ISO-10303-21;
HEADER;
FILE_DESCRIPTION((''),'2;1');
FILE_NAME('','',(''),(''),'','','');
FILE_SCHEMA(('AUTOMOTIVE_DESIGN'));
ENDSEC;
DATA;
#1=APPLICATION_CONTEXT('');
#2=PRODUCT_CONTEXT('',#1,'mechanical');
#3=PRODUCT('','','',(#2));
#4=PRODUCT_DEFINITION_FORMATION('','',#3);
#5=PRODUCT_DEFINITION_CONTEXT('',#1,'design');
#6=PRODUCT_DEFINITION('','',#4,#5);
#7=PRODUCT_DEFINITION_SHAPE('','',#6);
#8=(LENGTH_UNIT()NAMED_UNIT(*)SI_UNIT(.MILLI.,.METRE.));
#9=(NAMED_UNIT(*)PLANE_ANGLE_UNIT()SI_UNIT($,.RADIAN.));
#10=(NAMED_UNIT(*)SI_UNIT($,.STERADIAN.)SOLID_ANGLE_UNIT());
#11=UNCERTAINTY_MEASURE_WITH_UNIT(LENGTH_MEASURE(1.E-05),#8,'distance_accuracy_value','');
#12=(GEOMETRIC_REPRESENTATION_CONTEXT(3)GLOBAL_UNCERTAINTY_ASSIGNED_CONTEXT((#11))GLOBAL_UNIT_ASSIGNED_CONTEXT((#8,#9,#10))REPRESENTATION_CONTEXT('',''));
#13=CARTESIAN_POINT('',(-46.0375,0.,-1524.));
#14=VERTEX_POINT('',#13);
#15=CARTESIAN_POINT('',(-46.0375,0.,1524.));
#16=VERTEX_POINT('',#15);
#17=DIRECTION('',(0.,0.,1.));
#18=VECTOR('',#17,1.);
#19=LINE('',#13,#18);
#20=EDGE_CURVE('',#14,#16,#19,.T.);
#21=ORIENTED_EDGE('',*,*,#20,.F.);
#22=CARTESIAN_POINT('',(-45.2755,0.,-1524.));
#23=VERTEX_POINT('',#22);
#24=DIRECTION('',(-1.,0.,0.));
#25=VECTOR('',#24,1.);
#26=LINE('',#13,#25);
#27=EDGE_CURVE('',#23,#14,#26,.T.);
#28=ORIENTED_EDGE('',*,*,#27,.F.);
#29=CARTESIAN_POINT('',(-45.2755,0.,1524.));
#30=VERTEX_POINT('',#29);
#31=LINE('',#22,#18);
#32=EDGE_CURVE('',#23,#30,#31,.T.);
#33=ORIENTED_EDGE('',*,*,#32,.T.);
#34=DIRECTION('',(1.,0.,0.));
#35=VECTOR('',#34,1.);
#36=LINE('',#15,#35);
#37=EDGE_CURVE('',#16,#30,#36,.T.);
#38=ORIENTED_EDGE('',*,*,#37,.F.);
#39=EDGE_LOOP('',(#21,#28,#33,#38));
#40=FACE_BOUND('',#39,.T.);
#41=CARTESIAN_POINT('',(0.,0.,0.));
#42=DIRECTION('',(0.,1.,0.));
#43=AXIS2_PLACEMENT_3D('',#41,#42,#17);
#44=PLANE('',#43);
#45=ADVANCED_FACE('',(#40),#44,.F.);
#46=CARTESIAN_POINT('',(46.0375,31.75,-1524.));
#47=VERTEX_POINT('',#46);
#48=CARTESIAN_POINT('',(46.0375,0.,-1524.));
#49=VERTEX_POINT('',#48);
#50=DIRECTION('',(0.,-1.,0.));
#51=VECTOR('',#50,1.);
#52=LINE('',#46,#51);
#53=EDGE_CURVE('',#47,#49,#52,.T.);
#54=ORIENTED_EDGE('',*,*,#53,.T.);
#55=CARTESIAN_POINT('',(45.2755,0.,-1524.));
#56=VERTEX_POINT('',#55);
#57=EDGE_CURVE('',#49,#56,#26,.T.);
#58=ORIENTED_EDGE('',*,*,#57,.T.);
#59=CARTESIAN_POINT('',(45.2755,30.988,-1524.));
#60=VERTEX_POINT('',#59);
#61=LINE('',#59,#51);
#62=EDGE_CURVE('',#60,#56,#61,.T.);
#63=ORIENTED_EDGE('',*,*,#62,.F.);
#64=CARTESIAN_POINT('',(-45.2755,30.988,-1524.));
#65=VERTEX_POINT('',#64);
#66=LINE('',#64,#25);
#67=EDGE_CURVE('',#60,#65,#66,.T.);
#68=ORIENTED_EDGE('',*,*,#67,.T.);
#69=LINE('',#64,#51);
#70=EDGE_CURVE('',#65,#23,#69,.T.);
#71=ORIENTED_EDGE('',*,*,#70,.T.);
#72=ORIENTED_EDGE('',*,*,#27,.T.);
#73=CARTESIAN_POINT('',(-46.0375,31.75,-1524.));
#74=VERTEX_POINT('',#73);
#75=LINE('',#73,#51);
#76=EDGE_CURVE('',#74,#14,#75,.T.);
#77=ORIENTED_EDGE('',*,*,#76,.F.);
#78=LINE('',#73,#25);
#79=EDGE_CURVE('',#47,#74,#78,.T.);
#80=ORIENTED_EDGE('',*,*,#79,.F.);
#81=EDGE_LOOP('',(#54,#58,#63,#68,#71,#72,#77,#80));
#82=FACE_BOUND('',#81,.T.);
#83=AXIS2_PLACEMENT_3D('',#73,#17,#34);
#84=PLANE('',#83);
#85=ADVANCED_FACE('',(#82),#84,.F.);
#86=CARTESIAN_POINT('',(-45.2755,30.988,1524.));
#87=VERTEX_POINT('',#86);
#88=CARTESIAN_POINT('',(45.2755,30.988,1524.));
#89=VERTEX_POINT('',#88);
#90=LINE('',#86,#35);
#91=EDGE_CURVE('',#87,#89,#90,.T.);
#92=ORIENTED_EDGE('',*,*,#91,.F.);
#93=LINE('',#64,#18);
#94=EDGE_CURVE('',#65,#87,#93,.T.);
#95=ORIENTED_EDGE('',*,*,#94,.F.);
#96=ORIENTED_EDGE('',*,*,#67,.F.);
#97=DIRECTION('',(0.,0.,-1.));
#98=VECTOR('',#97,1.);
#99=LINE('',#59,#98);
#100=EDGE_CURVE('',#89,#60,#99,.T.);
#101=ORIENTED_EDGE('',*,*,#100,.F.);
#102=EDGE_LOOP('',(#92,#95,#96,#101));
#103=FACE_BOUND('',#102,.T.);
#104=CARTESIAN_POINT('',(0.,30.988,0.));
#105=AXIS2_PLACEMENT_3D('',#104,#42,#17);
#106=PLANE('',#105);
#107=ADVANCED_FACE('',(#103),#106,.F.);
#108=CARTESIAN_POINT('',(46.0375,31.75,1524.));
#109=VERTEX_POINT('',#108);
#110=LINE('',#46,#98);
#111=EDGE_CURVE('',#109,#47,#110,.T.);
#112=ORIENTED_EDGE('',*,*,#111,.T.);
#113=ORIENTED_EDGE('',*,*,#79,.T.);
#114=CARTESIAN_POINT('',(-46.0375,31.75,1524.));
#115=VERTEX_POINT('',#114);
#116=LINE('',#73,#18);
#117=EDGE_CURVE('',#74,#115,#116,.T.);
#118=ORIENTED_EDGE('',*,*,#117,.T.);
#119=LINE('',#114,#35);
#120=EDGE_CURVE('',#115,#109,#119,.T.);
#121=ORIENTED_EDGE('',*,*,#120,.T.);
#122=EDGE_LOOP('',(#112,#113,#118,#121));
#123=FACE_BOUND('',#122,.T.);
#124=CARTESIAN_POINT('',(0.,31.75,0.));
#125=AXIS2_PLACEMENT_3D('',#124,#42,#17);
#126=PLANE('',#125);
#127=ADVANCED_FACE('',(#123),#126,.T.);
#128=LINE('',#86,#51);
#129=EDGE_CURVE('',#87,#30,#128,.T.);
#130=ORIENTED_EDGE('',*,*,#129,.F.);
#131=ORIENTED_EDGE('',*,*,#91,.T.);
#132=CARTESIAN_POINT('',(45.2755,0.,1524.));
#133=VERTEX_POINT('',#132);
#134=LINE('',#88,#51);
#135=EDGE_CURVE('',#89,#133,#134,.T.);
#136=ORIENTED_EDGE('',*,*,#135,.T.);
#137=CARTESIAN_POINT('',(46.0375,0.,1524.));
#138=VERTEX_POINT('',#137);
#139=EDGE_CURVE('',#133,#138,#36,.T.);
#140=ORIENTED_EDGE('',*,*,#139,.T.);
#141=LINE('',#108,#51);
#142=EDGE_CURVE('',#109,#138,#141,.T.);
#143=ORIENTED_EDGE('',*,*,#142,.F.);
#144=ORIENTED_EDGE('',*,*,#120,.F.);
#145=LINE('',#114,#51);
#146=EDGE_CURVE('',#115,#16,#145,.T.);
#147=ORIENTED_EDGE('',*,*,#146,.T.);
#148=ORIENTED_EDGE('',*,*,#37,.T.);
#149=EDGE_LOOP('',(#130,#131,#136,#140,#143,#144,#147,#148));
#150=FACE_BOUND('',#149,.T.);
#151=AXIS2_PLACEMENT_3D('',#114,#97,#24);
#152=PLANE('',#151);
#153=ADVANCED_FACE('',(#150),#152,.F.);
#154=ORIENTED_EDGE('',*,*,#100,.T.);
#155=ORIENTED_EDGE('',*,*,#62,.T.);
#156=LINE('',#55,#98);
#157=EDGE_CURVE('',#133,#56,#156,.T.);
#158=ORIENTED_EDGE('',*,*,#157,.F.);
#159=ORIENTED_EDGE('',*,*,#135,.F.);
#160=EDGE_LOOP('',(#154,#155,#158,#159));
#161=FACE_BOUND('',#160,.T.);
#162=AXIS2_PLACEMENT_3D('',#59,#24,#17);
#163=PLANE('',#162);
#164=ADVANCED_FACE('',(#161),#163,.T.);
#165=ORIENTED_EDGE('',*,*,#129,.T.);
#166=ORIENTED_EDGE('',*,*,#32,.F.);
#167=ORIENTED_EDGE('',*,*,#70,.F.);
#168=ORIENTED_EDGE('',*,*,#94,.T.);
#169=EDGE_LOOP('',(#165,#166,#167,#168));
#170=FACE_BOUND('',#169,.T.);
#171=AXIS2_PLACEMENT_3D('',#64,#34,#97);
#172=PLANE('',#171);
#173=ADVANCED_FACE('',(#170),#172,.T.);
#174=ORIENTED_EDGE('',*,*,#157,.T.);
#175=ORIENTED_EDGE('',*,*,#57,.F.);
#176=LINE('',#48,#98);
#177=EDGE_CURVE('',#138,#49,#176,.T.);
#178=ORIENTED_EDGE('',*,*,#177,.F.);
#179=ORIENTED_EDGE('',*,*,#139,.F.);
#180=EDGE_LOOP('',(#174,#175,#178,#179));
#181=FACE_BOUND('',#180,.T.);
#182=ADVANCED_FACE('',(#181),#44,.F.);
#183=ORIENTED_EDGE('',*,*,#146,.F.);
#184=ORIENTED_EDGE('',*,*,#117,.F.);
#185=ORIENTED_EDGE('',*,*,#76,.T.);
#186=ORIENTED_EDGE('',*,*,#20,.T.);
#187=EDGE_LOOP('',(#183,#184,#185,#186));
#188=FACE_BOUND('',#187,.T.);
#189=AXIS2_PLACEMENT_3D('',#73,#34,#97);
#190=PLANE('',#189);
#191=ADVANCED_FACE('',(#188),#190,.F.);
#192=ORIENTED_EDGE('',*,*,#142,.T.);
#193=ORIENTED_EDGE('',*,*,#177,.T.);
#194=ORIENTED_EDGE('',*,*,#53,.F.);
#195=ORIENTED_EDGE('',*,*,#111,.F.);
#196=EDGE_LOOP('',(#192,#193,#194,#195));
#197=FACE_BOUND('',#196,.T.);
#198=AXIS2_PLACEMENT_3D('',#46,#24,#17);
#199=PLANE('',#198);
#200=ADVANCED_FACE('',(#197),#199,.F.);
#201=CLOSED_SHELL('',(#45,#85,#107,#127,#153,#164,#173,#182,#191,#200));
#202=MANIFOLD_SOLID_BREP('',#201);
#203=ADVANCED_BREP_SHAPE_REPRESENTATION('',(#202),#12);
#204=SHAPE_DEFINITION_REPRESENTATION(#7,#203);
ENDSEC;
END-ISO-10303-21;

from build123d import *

# Parameters (mm, degrees)
SKETCH1_W           = 92.075
SKETCH1_H           = 3048
BOSS_EXTRUDE1_DEPTH = 31.75
SKETCH2_W           = 90.551
SKETCH2_H           = 3048
CUT_EXTRUDE1_DEPTH  = 30.988


with BuildPart() as part:
    # Sketch1 → Boss-Extrude1 (new body)
    with BuildSketch(Plane(origin=(0, 0, 0), x_dir=(1, 0, 0), z_dir=(0, 1, 0))):
        Rectangle(SKETCH1_W, SKETCH1_H)
    extrude(amount=BOSS_EXTRUDE1_DEPTH)

    # Sketch2 → Cut-Extrude1 (cut)
    with BuildSketch(Plane(origin=(0, 0, 0), x_dir=(1, 0, 0), z_dir=(0, 1, 0))):
        Rectangle(SKETCH2_W, SKETCH2_H)
    extrude(amount=CUT_EXTRUDE1_DEPTH, mode=Mode.SUBTRACT)


solid = part.part
